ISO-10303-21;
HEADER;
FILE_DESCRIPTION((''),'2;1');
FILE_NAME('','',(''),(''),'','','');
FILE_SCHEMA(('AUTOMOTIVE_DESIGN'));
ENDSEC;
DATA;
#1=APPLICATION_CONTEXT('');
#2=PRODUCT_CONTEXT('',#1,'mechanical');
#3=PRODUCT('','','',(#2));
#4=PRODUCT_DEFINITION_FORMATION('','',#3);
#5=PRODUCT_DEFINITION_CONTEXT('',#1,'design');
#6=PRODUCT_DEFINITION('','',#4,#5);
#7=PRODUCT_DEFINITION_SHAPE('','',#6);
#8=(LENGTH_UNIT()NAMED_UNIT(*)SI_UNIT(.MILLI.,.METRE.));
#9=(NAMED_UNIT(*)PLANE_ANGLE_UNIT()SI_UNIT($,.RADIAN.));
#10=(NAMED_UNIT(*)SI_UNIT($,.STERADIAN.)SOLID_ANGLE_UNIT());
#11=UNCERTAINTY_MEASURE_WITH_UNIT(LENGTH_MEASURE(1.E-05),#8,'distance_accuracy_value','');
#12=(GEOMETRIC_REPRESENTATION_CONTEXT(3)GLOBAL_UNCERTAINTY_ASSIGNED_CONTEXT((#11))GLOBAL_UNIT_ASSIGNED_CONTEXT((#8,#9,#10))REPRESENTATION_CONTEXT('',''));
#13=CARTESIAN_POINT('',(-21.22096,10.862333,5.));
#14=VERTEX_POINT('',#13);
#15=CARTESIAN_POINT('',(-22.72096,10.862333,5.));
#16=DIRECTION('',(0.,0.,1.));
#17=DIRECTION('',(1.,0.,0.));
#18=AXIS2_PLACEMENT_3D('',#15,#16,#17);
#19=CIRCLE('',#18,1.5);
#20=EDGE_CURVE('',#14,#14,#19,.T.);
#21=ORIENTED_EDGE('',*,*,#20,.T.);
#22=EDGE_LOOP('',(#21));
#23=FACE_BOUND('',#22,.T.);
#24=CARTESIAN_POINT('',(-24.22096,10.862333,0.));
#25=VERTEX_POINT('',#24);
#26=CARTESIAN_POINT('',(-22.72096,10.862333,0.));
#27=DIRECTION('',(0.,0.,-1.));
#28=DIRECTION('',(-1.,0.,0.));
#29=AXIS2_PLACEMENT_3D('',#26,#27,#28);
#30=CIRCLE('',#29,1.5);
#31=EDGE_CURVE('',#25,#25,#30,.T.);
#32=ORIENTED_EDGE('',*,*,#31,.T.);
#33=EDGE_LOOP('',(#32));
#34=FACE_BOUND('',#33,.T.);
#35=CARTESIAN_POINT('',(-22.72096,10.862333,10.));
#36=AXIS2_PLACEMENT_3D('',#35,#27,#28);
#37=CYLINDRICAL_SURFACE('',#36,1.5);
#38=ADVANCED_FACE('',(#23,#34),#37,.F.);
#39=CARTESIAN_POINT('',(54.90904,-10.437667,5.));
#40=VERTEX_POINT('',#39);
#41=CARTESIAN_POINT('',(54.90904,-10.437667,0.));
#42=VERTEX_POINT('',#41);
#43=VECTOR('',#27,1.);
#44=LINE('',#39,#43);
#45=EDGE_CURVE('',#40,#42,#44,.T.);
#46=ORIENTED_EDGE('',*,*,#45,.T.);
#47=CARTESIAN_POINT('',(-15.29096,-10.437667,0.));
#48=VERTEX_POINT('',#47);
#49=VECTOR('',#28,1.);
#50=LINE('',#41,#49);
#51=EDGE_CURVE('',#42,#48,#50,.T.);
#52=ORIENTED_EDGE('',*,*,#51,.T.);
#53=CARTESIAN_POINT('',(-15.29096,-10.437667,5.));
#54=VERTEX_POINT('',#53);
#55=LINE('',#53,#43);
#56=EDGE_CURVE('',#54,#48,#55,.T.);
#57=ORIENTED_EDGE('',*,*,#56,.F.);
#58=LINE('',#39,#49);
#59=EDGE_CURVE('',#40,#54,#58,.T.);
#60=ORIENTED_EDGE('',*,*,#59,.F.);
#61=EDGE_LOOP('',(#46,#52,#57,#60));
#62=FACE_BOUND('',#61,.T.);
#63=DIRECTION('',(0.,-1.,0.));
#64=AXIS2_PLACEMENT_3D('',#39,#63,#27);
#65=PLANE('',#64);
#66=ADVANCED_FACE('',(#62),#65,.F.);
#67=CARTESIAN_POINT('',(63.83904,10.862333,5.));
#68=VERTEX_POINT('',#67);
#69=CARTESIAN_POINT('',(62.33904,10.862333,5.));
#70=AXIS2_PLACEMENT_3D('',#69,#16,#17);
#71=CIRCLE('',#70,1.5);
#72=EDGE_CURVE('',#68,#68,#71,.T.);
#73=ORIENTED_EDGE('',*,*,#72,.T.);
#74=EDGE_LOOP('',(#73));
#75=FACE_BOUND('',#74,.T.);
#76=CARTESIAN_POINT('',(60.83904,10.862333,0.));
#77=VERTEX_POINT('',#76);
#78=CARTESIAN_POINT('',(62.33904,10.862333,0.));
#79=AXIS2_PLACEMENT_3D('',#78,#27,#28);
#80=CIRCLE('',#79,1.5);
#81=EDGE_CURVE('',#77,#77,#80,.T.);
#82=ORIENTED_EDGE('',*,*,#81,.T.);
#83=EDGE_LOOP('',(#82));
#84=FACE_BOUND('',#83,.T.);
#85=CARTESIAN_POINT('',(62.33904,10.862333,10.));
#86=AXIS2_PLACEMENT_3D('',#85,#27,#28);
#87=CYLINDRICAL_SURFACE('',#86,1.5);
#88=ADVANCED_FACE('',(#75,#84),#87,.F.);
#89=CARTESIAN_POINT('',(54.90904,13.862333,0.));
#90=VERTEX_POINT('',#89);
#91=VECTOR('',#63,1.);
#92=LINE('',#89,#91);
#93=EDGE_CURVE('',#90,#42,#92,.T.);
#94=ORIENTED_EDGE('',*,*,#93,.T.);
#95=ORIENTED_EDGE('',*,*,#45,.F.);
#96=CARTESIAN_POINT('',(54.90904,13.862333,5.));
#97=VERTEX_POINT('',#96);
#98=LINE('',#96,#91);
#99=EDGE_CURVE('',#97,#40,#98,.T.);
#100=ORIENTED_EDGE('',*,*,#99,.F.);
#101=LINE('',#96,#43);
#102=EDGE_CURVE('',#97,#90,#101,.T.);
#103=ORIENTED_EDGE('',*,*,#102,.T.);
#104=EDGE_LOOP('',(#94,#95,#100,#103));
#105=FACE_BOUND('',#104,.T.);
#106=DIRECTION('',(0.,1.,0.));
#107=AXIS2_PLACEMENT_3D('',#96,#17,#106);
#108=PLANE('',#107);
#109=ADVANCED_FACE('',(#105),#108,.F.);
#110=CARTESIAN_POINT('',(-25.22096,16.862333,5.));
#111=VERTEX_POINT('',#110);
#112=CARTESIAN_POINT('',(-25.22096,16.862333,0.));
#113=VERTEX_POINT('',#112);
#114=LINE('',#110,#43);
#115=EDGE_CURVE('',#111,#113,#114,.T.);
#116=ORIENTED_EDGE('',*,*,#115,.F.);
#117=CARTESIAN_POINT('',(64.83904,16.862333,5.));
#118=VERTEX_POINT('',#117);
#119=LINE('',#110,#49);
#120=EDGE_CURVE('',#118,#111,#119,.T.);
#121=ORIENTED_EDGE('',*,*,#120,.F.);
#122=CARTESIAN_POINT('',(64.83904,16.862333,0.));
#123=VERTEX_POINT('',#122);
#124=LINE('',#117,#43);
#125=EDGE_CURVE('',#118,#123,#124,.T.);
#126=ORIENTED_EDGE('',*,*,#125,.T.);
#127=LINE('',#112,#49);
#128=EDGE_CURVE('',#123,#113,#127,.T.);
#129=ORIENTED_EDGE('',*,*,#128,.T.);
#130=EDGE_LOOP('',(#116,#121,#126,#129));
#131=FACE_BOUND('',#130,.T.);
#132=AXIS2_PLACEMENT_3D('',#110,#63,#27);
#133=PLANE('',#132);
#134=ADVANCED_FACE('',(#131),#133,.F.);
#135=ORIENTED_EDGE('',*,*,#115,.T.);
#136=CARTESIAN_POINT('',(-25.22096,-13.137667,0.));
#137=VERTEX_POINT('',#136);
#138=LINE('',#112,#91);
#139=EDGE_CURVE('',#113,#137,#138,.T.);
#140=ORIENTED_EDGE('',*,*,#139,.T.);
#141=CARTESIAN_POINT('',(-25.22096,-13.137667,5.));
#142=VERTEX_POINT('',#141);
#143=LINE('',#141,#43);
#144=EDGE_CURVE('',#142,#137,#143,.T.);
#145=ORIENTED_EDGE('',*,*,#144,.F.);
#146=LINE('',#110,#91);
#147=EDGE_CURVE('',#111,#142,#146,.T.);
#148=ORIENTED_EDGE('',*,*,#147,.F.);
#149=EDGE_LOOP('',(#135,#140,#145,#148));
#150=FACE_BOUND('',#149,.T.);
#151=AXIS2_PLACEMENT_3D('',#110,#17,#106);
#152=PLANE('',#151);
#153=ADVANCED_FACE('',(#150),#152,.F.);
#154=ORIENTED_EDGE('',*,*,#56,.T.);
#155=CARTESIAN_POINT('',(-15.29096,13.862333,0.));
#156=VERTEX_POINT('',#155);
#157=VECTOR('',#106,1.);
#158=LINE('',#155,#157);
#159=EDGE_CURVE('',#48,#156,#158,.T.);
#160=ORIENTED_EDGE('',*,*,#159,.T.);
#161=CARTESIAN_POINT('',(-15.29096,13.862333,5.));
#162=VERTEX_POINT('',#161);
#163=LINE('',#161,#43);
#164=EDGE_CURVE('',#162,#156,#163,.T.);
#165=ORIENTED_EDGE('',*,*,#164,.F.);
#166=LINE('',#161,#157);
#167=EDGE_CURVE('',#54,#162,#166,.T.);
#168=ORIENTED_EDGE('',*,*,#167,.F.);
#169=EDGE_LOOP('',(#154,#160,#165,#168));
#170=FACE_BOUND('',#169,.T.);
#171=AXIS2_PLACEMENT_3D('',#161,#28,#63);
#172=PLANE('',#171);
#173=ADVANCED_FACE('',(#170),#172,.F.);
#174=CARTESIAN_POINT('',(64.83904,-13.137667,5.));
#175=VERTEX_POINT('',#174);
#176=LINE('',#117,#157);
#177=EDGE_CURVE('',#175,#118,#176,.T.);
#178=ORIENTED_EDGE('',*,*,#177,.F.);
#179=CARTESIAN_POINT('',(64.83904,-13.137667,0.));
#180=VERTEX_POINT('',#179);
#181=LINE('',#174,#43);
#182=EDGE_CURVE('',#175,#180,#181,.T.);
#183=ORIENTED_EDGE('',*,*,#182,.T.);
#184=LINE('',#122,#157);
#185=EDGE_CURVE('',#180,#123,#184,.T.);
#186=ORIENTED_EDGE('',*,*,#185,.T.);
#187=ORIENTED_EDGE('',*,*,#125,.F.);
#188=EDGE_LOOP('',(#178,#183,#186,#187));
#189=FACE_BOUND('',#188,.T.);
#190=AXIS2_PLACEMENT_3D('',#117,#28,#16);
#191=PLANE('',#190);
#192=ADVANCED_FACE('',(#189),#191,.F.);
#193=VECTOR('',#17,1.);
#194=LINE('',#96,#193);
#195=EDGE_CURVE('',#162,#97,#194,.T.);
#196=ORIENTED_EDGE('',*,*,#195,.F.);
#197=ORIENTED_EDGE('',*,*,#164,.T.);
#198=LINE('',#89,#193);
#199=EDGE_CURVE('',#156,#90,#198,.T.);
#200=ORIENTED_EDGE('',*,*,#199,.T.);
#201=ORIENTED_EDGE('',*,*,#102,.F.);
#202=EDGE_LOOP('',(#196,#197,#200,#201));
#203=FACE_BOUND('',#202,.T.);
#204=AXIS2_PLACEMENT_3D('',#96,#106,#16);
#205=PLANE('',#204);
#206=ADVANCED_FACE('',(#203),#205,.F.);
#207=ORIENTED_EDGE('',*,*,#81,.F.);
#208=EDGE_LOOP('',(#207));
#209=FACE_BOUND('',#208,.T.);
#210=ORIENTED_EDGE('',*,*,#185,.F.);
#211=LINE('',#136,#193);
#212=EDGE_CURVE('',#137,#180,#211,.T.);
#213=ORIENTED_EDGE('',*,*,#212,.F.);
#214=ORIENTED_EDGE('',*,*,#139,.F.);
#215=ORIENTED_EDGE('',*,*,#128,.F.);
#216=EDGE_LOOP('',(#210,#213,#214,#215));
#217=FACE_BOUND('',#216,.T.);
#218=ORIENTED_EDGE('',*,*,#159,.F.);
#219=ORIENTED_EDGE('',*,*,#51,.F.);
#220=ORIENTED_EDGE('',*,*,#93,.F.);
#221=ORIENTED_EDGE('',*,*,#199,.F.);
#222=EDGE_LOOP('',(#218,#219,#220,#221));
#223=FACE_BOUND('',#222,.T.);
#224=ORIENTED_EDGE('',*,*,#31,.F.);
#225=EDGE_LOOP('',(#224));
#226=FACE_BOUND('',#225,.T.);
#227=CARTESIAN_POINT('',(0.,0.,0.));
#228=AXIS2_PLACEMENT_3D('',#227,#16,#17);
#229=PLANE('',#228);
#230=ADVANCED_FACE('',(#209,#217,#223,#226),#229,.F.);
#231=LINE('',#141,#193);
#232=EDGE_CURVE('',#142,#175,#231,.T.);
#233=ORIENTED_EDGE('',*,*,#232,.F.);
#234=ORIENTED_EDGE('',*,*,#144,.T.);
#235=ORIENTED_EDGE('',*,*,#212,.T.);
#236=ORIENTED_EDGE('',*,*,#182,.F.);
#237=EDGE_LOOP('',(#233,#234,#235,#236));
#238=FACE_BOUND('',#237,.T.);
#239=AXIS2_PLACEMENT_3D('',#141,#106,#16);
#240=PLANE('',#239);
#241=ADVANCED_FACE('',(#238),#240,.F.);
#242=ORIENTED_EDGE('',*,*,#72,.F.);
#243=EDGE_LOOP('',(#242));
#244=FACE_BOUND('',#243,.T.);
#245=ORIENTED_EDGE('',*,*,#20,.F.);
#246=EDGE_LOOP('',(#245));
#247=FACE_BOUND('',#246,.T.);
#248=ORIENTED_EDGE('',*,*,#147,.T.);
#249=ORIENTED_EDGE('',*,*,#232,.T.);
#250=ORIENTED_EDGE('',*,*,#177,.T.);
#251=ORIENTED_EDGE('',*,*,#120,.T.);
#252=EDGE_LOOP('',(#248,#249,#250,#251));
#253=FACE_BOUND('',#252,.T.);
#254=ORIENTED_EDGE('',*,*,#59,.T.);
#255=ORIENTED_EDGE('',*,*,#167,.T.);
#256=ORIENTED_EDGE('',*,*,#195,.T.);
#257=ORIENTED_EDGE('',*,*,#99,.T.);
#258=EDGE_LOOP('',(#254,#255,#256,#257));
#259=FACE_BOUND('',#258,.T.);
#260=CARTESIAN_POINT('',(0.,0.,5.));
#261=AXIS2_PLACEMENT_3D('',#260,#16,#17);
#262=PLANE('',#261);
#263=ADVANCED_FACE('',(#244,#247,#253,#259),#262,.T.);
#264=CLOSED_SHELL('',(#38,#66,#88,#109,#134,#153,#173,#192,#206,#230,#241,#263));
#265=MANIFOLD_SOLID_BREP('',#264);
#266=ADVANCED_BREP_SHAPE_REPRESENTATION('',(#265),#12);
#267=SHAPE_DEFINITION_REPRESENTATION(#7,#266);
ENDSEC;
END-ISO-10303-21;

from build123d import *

# Parameters (mm, degrees)
ESBO_O1_W                = 90.06
ESBO_O1_H                = 30
RESSALTO_EXTRUS_O1_DEPTH = 5
ESBO_O2_W                = 70.2
ESBO_O2_H                = 24.3
CORTE_EXTRUS_O1_DEPTH    = 6
ESBO_O4_R                = 1.5
CORTE_EXTRUS_O2_DEPTH    = 10


with BuildPart() as part:
    # Esboço1 → Ressalto-extrusão1 (new body)
    with BuildSketch(Plane.XY):
        with Locations((19.809040323, 1.862332774)):
            Rectangle(ESBO_O1_W, ESBO_O1_H)
    extrude(amount=RESSALTO_EXTRUS_O1_DEPTH)

    # Esboço2 → Corte-extrusão1 (cut, through all)
    with BuildSketch(Plane(origin=(0, 0, 0), x_dir=(-1, 0, 0), z_dir=(0, 0, -1))):
        with Locations((-19.809040323, 1.712332774)):
            Rectangle(ESBO_O2_W, ESBO_O2_H)
    extrude(amount=-CORTE_EXTRUS_O1_DEPTH, mode=Mode.SUBTRACT)

    # Esboço4 → Corte-extrusão2 (cut)
    with BuildSketch(Plane(origin=(0, 0, 0), x_dir=(-1, 0, 0), z_dir=(0, 0, -1))):
        with Locations((22.720959677, 10.862332774)):
            Circle(ESBO_O4_R)
        with Locations((-62.339040323, 10.862332774)):
            Circle(ESBO_O4_R)
    extrude(amount=-CORTE_EXTRUS_O2_DEPTH, mode=Mode.SUBTRACT)


solid = part.part
